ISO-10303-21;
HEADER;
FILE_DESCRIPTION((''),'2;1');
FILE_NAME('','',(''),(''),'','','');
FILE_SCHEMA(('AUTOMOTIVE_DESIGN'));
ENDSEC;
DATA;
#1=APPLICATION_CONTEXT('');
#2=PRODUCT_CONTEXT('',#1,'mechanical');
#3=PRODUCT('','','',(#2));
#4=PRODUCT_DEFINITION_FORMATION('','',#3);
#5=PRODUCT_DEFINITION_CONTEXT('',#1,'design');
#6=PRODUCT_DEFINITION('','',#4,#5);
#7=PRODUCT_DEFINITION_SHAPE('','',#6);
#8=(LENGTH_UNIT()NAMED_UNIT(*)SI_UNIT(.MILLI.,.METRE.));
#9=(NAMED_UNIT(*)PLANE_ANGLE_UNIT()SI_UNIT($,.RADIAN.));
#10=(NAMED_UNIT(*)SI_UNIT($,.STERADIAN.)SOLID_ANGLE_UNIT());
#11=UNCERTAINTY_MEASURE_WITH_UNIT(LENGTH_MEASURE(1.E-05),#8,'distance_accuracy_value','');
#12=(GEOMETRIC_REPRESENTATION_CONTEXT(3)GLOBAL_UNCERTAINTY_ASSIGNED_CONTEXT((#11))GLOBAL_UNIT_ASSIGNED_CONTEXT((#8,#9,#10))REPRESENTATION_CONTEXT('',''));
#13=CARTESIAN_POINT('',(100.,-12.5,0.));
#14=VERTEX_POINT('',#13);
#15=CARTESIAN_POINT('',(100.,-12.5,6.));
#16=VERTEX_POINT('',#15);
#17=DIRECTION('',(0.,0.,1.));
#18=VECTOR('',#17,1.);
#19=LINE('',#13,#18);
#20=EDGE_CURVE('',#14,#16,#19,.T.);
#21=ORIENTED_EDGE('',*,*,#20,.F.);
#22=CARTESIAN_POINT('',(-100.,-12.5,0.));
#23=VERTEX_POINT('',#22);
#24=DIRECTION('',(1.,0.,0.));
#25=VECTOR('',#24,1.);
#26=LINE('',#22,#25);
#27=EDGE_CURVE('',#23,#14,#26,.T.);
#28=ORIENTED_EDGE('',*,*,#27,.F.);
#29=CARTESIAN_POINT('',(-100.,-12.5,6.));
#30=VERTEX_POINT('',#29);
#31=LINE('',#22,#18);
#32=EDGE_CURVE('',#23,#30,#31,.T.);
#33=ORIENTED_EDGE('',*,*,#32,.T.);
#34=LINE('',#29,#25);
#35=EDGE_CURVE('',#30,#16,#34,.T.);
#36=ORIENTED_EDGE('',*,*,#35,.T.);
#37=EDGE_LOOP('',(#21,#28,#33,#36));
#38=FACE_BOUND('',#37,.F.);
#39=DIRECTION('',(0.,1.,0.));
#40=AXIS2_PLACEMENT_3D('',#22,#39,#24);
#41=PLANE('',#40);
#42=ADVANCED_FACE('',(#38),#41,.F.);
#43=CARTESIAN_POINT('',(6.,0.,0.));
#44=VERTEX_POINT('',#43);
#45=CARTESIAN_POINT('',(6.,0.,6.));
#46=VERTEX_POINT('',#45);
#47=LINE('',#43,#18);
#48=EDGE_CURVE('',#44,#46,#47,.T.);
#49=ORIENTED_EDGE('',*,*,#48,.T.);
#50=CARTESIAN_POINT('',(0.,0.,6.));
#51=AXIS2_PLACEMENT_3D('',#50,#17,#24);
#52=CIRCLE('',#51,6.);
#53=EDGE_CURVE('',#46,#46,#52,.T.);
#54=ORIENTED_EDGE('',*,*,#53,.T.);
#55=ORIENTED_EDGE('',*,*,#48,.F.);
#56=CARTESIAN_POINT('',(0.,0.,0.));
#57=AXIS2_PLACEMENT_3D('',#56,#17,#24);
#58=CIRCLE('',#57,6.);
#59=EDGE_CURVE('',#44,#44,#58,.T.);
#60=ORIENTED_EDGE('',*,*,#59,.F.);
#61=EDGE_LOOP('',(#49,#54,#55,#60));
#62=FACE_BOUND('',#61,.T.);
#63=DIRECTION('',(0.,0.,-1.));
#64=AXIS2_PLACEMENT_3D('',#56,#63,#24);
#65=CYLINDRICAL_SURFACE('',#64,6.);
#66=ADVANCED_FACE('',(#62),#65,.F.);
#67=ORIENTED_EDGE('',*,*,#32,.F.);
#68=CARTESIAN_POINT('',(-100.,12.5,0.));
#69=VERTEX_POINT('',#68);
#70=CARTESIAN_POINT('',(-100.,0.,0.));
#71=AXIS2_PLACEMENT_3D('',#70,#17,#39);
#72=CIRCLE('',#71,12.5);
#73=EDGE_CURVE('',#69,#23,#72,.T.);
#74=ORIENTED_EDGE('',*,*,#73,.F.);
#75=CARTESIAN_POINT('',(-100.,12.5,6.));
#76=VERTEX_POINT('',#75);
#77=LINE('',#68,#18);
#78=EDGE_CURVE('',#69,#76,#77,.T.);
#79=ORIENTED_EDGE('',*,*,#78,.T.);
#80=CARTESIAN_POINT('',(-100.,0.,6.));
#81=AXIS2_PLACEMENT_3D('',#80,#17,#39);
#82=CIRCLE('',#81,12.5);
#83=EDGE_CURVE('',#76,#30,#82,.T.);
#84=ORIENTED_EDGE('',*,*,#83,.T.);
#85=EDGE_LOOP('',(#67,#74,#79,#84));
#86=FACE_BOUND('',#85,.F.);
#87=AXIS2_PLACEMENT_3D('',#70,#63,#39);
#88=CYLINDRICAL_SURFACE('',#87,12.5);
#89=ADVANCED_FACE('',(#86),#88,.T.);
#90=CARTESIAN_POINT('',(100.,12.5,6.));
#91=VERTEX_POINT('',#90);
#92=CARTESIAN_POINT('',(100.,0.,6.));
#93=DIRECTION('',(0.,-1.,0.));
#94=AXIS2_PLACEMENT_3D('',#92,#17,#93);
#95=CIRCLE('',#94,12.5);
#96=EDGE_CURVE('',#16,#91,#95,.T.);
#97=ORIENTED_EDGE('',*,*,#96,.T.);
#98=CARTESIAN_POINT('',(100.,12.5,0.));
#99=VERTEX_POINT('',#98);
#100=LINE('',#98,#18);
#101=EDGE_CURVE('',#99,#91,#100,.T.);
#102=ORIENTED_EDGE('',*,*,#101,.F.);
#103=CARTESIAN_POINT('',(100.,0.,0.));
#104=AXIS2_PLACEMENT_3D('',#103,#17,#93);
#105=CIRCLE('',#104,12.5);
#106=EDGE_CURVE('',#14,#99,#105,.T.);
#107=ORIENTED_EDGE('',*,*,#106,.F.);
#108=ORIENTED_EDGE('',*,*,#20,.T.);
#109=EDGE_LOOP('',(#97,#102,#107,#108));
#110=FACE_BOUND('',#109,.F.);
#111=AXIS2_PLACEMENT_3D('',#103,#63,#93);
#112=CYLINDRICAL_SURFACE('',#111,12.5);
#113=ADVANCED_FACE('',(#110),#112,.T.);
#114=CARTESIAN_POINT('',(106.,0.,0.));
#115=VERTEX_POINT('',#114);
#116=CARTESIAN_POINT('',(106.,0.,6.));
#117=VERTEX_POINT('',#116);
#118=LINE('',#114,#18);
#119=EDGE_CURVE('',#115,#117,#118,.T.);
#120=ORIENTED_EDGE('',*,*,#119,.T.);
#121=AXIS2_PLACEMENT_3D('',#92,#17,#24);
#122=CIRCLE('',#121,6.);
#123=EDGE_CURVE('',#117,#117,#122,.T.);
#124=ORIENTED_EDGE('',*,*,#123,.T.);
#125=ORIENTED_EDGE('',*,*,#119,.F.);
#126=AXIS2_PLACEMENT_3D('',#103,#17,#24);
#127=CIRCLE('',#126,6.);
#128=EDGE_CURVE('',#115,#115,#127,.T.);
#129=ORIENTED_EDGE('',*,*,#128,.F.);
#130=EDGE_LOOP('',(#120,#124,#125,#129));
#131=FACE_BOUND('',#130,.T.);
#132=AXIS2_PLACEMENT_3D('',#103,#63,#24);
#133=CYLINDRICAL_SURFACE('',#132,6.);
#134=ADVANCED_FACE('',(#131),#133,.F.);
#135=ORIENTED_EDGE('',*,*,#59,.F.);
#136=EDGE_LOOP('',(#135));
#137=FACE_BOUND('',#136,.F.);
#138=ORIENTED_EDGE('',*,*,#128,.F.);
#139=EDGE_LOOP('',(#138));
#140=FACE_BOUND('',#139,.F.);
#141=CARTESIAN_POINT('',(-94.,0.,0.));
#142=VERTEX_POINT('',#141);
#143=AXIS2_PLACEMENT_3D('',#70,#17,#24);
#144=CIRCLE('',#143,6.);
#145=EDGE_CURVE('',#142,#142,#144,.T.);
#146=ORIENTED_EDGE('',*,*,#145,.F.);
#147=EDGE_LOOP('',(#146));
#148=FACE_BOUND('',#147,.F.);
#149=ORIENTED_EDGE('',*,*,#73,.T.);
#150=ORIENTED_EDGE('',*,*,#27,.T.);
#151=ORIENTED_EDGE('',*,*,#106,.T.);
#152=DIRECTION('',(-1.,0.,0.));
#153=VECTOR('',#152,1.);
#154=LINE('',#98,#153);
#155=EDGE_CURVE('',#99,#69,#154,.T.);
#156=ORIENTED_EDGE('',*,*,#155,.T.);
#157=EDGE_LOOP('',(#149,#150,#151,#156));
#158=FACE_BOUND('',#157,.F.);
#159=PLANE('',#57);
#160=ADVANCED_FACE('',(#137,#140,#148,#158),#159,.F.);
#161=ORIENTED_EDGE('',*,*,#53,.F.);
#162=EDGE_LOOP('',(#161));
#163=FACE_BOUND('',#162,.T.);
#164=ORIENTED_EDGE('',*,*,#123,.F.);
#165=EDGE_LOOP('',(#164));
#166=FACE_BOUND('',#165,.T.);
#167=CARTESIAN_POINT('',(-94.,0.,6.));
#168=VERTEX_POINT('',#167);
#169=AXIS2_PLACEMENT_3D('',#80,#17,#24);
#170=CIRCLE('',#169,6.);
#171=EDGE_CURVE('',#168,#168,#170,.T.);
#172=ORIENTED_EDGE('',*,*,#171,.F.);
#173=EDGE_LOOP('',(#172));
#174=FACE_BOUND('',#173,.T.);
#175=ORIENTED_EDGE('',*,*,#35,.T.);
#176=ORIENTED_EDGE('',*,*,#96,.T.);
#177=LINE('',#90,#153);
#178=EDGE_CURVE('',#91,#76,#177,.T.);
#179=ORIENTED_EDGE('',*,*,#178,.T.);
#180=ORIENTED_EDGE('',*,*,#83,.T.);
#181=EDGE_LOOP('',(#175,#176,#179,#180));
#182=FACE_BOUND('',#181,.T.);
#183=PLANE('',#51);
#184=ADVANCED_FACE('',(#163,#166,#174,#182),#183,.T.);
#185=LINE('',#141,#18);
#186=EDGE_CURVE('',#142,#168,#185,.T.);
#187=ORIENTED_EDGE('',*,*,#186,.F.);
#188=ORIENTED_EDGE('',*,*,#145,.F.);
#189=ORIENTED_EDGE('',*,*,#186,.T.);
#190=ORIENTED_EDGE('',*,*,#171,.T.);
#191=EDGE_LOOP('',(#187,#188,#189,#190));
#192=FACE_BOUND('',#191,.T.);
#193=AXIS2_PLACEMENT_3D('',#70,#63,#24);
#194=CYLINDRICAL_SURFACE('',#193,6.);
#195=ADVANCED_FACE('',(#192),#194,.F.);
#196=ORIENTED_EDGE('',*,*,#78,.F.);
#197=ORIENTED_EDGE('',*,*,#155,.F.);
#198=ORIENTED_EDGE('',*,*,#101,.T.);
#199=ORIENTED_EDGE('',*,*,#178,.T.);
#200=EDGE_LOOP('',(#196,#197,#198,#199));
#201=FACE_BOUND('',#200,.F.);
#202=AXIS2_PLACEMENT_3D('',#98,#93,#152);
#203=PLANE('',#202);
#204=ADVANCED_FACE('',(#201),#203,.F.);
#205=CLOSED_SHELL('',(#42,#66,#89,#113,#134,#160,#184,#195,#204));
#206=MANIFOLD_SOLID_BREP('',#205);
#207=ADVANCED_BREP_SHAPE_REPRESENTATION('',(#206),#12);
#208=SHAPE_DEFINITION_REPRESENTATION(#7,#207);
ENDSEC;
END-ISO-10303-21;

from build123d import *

# Parameters (mm, degrees)
F0_R     = 6
F1_DEPTH = 6


with BuildPart() as f1:
    # F0 (on Top) → F1 (new body)
    with BuildSketch(Plane.XY):
        with BuildLine():
            Line((100, 12.5), (-100, 12.5))
            ThreePointArc((-100, 12.5), (-112.5, 0), (-100, -12.5))
            Line((-100, -12.5), (100, -12.5))
            ThreePointArc((100, -12.5), (112.5, 0), (100, 12.5))
        make_face()
        with Locations((-100, 0)):
            Circle(F0_R, mode=Mode.SUBTRACT)
        Circle(F0_R, mode=Mode.SUBTRACT)
        with Locations((100, 0)):
            Circle(F0_R, mode=Mode.SUBTRACT)
    extrude(amount=F1_DEPTH)


solid = f1.part
